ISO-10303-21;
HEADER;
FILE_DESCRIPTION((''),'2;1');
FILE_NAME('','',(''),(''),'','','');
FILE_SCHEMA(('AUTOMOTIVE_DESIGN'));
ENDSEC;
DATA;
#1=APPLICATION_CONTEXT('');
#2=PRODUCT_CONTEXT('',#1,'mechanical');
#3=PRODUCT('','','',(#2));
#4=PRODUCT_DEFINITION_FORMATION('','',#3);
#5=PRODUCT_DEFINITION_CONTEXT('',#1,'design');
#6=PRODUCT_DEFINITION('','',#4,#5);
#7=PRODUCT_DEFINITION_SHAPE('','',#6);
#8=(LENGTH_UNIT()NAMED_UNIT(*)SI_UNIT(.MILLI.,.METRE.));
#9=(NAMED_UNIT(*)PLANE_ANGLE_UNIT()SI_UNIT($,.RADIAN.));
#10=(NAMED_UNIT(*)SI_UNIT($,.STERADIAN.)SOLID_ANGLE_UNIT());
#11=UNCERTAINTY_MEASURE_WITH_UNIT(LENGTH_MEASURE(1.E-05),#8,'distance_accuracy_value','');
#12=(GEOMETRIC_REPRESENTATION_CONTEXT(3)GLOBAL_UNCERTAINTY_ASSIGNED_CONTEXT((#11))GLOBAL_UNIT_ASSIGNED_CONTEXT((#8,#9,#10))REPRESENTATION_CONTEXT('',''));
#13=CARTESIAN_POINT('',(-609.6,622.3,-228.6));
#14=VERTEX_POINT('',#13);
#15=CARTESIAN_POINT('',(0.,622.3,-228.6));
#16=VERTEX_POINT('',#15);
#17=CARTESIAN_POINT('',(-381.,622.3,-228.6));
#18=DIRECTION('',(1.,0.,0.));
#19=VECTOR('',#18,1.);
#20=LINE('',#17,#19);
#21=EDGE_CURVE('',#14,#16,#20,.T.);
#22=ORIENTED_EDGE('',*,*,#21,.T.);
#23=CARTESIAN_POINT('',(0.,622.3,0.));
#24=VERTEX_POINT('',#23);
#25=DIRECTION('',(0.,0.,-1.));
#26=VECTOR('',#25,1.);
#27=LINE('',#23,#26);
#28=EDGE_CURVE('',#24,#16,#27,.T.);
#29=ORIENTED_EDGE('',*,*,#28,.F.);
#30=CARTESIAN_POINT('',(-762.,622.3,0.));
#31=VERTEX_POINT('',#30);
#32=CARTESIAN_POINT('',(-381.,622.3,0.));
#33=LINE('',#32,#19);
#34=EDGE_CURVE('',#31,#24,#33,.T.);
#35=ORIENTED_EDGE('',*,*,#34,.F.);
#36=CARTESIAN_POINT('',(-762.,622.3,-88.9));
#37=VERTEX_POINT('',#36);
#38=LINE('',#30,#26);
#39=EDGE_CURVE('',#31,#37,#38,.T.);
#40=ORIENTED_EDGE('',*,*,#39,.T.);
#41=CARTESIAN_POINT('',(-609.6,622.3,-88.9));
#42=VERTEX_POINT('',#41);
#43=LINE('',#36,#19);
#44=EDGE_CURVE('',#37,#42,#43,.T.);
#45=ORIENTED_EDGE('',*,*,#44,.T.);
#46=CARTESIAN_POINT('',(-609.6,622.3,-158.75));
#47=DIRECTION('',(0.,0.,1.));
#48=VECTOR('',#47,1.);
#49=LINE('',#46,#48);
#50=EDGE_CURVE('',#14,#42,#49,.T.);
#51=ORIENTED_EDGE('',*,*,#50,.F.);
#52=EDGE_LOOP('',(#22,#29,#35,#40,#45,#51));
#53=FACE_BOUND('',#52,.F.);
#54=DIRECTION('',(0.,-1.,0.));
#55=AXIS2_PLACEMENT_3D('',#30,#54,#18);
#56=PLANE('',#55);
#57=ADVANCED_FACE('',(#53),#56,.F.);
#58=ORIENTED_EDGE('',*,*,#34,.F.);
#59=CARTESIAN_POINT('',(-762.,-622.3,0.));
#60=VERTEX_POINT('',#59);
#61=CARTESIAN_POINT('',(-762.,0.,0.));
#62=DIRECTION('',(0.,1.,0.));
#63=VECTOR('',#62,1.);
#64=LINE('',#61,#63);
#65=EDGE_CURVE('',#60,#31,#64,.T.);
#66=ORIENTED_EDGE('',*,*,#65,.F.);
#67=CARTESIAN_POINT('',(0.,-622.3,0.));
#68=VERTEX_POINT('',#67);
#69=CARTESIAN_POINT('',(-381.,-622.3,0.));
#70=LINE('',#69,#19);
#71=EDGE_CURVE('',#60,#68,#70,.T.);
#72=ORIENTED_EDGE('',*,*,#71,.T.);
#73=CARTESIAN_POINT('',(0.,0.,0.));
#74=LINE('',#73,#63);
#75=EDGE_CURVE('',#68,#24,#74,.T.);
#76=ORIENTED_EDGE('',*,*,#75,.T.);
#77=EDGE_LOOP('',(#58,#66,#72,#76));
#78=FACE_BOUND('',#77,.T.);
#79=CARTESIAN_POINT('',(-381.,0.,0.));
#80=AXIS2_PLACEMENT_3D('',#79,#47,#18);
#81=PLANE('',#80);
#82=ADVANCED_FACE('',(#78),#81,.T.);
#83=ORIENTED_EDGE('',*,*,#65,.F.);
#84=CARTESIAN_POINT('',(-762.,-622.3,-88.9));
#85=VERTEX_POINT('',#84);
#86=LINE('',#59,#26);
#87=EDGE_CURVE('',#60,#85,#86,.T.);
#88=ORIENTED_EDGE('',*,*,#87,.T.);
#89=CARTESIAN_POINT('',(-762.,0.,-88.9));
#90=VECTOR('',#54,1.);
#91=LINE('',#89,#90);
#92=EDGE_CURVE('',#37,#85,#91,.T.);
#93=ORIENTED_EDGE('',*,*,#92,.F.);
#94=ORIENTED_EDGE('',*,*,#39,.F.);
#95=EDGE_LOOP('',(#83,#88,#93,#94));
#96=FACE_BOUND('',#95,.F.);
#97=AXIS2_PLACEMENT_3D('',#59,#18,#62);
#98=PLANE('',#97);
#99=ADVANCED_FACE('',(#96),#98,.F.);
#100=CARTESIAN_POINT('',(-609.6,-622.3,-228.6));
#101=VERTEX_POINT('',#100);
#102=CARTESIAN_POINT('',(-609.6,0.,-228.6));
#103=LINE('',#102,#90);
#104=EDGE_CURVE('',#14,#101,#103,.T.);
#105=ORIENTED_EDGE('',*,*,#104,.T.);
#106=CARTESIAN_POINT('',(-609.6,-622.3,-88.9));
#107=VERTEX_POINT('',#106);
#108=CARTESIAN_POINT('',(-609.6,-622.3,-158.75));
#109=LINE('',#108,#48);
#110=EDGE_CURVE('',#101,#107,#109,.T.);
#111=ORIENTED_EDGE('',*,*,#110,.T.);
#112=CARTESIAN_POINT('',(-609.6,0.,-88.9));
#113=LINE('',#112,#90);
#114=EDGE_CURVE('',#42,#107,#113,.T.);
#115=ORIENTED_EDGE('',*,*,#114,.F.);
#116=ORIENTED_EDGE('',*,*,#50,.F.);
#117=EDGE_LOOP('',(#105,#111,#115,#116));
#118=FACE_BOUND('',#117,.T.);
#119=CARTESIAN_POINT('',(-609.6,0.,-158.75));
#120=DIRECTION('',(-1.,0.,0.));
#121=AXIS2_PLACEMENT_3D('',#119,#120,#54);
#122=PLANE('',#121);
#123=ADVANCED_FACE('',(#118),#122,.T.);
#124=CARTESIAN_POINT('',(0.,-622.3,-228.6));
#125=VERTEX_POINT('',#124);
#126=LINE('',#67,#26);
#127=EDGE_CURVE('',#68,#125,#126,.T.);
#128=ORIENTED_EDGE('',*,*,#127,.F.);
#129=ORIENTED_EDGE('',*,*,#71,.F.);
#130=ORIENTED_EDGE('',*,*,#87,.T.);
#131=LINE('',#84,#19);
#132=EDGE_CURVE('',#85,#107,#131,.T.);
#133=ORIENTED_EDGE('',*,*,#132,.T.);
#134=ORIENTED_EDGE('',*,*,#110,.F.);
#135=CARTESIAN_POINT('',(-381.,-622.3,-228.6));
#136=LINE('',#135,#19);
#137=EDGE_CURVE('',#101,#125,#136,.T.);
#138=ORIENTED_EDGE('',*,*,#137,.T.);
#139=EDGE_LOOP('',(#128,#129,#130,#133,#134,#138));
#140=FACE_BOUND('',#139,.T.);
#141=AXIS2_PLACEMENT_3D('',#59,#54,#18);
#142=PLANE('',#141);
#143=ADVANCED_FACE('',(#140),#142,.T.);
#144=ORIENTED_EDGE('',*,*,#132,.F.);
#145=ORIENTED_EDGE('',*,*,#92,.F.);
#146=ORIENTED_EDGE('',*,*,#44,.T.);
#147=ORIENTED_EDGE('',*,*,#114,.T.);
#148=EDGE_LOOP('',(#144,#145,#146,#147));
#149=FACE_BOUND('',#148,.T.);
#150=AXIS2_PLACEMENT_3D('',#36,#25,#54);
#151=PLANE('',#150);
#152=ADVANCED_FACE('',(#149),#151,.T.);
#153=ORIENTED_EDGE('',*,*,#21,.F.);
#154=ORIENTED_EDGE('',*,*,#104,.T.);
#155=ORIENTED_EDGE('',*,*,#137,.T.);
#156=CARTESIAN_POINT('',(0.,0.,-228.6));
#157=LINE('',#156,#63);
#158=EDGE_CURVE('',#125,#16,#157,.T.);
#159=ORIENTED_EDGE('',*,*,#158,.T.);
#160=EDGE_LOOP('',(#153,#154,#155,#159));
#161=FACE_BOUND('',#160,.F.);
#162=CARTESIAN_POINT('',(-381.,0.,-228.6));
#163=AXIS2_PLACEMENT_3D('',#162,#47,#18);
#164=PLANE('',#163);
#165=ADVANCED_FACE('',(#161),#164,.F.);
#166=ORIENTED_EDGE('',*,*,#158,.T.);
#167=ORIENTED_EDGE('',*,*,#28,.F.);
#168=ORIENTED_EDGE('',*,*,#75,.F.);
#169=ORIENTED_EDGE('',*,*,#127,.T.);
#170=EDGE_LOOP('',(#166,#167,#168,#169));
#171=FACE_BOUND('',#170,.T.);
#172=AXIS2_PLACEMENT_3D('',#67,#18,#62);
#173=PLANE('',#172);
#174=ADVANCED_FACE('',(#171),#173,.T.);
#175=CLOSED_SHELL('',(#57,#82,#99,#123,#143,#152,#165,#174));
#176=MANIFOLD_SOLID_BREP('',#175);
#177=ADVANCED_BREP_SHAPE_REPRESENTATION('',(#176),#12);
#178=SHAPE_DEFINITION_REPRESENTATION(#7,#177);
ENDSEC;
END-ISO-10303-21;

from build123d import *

# Parameters (mm, degrees)
F0_W     = 762
F0_H     = 1244.6
F1_DEPTH = 228.6
F2_W     = 1244.6
F2_H     = 139.7
F3_DEPTH = 152.4


with BuildPart() as f1:
    # F0 (on Top) → F1 (new body)
    with BuildSketch(Plane.XY):
        with Locations((-381, 0)):
            Rectangle(F0_W, F0_H)
    extrude(amount=-F1_DEPTH)

    # F2 (on face) → F3 (cut)
    with BuildSketch(Plane(origin=(-762, 0, 0), x_dir=(0, -1, 0), z_dir=(-1, 0, 0))):
        with Locations((0, -158.75)):
            Rectangle(F2_W, F2_H)
    extrude(amount=-F3_DEPTH, mode=Mode.SUBTRACT)


solid = f1.part
